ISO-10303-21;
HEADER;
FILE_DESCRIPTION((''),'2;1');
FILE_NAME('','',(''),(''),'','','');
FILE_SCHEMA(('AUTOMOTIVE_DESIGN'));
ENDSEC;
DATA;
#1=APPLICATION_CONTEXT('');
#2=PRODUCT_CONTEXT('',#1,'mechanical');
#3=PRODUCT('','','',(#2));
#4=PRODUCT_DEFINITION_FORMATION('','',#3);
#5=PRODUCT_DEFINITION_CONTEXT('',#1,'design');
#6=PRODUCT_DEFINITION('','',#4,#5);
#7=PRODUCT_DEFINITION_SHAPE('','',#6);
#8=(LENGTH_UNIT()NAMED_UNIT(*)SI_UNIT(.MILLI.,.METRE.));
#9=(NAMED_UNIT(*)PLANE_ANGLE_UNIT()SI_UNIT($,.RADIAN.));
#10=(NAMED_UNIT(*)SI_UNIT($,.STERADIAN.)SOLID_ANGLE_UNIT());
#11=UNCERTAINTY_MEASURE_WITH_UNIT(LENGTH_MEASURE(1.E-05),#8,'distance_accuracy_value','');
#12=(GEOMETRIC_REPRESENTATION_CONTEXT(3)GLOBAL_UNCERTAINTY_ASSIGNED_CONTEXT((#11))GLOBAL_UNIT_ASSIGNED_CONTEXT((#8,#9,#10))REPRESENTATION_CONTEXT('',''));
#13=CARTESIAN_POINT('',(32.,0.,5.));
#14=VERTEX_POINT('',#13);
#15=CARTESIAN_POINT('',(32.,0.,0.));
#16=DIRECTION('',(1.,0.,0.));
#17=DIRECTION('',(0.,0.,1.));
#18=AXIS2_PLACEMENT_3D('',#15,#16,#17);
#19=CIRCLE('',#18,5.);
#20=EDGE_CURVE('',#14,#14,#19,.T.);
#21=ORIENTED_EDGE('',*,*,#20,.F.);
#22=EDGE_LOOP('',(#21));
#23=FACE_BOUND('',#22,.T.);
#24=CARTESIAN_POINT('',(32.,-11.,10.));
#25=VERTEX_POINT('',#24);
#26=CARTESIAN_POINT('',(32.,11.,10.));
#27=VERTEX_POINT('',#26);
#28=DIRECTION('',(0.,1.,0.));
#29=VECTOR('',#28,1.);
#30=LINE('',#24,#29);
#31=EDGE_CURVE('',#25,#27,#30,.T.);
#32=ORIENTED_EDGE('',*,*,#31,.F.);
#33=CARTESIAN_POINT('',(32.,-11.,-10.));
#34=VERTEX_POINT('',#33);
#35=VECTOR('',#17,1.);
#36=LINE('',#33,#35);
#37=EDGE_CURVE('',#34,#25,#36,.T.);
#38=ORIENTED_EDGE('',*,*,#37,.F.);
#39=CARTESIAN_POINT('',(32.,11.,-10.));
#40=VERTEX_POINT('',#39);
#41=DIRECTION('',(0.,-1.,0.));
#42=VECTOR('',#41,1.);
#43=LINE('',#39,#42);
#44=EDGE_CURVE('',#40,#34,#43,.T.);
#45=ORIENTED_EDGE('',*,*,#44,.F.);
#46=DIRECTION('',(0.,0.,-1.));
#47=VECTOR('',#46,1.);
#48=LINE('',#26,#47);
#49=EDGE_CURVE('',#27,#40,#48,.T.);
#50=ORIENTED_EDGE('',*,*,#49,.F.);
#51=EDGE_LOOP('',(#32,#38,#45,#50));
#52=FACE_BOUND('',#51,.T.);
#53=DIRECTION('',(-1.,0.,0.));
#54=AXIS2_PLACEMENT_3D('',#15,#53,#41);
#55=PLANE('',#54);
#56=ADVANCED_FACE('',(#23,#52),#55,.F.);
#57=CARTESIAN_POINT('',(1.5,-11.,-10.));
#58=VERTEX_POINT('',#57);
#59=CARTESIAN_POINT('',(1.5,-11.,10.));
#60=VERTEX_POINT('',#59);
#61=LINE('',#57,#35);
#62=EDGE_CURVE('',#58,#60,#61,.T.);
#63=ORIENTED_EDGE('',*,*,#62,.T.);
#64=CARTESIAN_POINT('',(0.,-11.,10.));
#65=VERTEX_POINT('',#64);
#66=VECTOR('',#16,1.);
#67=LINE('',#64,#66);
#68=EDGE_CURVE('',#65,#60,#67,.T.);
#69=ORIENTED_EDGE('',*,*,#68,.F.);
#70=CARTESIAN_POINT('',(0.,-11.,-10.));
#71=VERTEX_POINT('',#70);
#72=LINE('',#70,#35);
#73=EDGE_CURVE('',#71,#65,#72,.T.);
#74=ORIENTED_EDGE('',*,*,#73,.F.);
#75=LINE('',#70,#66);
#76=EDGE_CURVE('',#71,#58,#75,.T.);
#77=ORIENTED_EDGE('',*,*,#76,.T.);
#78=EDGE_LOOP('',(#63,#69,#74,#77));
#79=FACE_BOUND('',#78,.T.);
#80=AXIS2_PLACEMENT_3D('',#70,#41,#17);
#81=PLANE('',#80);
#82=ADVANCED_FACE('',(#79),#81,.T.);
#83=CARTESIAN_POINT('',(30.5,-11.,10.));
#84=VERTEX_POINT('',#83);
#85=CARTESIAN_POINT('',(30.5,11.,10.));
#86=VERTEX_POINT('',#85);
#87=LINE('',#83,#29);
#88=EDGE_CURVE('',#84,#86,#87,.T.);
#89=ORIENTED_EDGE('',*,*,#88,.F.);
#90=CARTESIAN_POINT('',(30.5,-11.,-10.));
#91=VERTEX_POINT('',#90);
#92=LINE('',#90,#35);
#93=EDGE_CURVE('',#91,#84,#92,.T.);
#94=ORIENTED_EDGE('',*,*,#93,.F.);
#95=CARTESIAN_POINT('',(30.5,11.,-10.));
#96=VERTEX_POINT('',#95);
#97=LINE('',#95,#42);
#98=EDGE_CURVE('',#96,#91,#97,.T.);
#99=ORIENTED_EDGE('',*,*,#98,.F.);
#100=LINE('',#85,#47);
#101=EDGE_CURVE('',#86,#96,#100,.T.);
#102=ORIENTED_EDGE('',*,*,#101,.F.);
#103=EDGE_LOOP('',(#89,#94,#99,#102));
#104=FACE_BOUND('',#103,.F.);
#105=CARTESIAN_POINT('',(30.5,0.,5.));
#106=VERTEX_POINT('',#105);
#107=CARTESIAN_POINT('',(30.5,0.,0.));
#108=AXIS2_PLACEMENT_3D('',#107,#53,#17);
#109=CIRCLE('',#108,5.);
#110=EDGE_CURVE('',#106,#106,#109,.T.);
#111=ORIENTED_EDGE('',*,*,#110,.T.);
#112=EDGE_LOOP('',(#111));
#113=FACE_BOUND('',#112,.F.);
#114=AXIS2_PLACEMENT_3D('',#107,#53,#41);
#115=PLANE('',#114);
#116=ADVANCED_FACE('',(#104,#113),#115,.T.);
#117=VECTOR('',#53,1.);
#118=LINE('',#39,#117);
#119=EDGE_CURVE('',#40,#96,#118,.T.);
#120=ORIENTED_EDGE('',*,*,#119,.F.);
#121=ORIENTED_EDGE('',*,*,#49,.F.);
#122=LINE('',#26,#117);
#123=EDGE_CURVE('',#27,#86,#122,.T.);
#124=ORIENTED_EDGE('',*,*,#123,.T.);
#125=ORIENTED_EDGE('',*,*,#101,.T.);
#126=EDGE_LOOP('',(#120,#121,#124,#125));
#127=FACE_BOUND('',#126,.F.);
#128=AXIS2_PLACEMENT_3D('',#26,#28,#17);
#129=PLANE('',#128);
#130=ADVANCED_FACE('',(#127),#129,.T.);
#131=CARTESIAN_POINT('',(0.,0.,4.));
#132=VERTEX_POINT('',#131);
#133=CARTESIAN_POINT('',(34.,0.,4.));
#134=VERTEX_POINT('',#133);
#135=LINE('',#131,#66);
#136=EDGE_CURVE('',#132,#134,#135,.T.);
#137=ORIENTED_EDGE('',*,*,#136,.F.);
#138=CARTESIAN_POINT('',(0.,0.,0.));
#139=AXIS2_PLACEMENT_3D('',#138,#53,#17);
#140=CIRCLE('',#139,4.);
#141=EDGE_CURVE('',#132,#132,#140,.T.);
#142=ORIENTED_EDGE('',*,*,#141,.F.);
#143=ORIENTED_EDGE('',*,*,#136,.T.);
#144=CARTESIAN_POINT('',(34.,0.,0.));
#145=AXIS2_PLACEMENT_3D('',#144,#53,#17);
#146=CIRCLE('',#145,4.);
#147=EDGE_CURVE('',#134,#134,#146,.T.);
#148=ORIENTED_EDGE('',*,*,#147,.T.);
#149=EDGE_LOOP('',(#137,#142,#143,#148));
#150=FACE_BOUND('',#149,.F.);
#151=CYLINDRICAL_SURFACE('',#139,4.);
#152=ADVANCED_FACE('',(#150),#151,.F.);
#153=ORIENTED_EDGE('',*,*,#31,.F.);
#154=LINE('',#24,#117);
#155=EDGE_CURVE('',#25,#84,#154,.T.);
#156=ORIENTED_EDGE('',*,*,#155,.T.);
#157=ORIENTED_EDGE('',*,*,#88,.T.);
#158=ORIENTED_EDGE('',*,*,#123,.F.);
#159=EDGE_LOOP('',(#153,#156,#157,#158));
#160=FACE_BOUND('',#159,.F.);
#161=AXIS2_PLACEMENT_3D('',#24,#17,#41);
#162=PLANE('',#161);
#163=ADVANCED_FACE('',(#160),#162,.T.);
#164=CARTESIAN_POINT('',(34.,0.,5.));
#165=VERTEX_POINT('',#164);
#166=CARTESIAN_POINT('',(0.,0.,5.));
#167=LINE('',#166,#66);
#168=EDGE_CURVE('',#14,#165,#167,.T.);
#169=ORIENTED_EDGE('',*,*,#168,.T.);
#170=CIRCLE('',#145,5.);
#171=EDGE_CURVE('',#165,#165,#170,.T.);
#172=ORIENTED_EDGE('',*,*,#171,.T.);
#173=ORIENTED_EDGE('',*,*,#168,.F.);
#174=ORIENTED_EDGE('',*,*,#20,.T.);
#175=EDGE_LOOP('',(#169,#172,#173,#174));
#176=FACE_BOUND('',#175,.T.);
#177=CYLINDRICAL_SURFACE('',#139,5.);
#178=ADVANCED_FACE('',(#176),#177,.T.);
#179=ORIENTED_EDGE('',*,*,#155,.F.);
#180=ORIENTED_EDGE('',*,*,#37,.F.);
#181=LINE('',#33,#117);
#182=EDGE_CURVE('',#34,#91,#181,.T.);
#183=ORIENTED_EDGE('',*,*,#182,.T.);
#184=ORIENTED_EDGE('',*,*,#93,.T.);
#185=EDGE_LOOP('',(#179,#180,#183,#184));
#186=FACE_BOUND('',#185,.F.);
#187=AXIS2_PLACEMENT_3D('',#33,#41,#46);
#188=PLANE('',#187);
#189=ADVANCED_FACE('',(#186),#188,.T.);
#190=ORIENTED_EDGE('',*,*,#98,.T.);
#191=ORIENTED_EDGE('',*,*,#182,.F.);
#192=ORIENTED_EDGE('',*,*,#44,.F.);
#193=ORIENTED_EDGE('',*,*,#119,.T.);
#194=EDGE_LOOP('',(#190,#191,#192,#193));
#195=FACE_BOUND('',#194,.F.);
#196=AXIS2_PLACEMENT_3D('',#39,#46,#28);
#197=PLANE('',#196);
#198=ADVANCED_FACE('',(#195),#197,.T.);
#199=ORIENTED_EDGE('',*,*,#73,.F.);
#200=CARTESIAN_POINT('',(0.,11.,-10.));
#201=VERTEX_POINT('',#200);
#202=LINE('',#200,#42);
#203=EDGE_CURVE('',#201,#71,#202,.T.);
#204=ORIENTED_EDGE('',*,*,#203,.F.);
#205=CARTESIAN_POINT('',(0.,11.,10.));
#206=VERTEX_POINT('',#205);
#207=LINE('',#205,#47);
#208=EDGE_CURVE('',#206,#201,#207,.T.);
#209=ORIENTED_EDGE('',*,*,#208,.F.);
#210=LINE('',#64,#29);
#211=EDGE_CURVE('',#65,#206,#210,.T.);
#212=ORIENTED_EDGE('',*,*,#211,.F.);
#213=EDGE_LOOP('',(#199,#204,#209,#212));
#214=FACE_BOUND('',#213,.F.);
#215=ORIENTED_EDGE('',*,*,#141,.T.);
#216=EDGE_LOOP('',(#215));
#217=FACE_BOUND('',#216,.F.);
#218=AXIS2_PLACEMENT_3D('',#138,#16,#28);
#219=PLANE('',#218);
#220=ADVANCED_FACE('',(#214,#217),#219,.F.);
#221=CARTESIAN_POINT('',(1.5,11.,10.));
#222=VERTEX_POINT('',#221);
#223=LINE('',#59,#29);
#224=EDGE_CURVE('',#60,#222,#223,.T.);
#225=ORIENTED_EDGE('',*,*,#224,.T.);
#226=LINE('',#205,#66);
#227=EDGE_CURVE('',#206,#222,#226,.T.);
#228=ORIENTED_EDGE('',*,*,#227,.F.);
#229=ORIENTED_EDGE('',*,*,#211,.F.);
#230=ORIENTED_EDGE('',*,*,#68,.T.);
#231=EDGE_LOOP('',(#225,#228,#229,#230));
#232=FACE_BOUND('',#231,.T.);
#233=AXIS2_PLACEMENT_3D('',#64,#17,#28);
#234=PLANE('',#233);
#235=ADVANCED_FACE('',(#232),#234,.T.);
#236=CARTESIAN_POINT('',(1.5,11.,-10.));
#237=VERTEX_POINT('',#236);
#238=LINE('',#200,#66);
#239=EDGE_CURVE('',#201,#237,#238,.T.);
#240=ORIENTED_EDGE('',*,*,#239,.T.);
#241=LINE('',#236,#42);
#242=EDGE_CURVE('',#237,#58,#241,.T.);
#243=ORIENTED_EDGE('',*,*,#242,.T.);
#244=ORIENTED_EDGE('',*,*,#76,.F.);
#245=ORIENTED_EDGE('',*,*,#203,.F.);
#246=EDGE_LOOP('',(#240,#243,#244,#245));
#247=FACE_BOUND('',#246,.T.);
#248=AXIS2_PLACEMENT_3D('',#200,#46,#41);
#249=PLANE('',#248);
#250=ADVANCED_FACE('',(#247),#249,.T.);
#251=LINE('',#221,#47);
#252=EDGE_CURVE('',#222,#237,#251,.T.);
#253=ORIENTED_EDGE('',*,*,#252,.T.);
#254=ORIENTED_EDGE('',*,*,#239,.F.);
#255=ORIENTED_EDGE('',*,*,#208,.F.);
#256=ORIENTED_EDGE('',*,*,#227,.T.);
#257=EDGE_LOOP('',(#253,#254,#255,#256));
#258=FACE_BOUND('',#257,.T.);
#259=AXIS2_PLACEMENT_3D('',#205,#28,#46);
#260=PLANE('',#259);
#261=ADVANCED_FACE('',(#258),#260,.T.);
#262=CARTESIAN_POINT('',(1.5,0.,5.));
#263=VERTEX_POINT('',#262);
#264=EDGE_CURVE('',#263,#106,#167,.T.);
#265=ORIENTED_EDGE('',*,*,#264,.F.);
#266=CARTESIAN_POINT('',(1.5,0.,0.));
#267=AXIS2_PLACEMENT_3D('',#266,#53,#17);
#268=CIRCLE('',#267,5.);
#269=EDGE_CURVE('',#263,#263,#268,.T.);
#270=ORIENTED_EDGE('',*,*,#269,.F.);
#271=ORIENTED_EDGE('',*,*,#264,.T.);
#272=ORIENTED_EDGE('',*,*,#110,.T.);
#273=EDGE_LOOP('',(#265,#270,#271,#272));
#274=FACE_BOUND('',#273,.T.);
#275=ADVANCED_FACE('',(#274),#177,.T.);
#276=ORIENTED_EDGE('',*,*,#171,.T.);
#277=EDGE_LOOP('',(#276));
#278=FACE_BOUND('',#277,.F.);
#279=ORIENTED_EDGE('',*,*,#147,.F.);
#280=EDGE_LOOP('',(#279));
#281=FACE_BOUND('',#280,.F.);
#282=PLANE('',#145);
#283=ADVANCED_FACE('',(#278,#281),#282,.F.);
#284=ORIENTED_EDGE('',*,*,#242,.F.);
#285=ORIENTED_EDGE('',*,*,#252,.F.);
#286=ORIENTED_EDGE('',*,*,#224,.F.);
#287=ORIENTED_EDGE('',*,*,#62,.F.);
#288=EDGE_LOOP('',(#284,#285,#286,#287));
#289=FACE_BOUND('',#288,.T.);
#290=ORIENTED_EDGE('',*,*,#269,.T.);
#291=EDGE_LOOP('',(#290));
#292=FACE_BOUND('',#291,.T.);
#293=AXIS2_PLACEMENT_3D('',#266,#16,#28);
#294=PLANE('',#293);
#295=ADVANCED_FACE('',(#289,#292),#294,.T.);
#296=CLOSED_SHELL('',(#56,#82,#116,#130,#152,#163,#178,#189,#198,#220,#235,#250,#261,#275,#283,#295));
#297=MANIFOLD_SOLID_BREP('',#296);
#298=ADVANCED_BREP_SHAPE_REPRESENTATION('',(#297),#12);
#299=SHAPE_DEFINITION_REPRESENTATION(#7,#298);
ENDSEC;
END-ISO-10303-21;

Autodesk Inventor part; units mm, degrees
ref_plane "YZ Plane" through (0, 0, 0) normal (1, 0, 0) x (0, 1, 0)
ref_plane "XZ Plane" through (0, 0, 0) normal (0, 1, 0) x (-1, 0, 0)
ref_plane "XY Plane" through (0, 0, 0) normal (0, 0, 1) x (1, 0, 0)
sketch "Эскиз1" plane through (0, 0, 0) normal (1, 0, 0) x (0, 1, 0)
  line L0 (-11, 10) -> (11, 10)
  line L1 (11, 10) -> (11, -10)
  line L2 (11, -10) -> (-11, -10)
  line L3 (-11, -10) -> (-11, 10)
  line L4 (-11, 10) -> (11, -10) construction
  line L5 (11, 10) -> (-11, -10) construction
  circle A0 centre (0, 0) radius 5
  dimension "d1" = 22
  dimension "d2" = 20
  dimension "d3" = 10
extrude "Выдавливание1" add sketch "Эскиз1" along normal blind 1.5
ref_plane "РабПлоскость1" through (16, 0, 0) normal (1, 0, 0) x (0, 0, -1)
mirror "Зеркальное отражение1" about plane through (16, 0, 0) normal (1, 0, 0) of "Выдавливание1"
sketch "Эскиз2" plane through (0, 0, 0) normal (-1, 0, 0) x (0, 0, 1)
  circle A0 centre (0, 0) radius 5 projected
  circle A1 centre (0, 0) radius 4
  dimension "d7" = 8
extrude "Выдавливание2" add sketch "Эскиз2" against normal blind 34
properties part number "frame" material "Пластмасса, непрозрачная, черная"
